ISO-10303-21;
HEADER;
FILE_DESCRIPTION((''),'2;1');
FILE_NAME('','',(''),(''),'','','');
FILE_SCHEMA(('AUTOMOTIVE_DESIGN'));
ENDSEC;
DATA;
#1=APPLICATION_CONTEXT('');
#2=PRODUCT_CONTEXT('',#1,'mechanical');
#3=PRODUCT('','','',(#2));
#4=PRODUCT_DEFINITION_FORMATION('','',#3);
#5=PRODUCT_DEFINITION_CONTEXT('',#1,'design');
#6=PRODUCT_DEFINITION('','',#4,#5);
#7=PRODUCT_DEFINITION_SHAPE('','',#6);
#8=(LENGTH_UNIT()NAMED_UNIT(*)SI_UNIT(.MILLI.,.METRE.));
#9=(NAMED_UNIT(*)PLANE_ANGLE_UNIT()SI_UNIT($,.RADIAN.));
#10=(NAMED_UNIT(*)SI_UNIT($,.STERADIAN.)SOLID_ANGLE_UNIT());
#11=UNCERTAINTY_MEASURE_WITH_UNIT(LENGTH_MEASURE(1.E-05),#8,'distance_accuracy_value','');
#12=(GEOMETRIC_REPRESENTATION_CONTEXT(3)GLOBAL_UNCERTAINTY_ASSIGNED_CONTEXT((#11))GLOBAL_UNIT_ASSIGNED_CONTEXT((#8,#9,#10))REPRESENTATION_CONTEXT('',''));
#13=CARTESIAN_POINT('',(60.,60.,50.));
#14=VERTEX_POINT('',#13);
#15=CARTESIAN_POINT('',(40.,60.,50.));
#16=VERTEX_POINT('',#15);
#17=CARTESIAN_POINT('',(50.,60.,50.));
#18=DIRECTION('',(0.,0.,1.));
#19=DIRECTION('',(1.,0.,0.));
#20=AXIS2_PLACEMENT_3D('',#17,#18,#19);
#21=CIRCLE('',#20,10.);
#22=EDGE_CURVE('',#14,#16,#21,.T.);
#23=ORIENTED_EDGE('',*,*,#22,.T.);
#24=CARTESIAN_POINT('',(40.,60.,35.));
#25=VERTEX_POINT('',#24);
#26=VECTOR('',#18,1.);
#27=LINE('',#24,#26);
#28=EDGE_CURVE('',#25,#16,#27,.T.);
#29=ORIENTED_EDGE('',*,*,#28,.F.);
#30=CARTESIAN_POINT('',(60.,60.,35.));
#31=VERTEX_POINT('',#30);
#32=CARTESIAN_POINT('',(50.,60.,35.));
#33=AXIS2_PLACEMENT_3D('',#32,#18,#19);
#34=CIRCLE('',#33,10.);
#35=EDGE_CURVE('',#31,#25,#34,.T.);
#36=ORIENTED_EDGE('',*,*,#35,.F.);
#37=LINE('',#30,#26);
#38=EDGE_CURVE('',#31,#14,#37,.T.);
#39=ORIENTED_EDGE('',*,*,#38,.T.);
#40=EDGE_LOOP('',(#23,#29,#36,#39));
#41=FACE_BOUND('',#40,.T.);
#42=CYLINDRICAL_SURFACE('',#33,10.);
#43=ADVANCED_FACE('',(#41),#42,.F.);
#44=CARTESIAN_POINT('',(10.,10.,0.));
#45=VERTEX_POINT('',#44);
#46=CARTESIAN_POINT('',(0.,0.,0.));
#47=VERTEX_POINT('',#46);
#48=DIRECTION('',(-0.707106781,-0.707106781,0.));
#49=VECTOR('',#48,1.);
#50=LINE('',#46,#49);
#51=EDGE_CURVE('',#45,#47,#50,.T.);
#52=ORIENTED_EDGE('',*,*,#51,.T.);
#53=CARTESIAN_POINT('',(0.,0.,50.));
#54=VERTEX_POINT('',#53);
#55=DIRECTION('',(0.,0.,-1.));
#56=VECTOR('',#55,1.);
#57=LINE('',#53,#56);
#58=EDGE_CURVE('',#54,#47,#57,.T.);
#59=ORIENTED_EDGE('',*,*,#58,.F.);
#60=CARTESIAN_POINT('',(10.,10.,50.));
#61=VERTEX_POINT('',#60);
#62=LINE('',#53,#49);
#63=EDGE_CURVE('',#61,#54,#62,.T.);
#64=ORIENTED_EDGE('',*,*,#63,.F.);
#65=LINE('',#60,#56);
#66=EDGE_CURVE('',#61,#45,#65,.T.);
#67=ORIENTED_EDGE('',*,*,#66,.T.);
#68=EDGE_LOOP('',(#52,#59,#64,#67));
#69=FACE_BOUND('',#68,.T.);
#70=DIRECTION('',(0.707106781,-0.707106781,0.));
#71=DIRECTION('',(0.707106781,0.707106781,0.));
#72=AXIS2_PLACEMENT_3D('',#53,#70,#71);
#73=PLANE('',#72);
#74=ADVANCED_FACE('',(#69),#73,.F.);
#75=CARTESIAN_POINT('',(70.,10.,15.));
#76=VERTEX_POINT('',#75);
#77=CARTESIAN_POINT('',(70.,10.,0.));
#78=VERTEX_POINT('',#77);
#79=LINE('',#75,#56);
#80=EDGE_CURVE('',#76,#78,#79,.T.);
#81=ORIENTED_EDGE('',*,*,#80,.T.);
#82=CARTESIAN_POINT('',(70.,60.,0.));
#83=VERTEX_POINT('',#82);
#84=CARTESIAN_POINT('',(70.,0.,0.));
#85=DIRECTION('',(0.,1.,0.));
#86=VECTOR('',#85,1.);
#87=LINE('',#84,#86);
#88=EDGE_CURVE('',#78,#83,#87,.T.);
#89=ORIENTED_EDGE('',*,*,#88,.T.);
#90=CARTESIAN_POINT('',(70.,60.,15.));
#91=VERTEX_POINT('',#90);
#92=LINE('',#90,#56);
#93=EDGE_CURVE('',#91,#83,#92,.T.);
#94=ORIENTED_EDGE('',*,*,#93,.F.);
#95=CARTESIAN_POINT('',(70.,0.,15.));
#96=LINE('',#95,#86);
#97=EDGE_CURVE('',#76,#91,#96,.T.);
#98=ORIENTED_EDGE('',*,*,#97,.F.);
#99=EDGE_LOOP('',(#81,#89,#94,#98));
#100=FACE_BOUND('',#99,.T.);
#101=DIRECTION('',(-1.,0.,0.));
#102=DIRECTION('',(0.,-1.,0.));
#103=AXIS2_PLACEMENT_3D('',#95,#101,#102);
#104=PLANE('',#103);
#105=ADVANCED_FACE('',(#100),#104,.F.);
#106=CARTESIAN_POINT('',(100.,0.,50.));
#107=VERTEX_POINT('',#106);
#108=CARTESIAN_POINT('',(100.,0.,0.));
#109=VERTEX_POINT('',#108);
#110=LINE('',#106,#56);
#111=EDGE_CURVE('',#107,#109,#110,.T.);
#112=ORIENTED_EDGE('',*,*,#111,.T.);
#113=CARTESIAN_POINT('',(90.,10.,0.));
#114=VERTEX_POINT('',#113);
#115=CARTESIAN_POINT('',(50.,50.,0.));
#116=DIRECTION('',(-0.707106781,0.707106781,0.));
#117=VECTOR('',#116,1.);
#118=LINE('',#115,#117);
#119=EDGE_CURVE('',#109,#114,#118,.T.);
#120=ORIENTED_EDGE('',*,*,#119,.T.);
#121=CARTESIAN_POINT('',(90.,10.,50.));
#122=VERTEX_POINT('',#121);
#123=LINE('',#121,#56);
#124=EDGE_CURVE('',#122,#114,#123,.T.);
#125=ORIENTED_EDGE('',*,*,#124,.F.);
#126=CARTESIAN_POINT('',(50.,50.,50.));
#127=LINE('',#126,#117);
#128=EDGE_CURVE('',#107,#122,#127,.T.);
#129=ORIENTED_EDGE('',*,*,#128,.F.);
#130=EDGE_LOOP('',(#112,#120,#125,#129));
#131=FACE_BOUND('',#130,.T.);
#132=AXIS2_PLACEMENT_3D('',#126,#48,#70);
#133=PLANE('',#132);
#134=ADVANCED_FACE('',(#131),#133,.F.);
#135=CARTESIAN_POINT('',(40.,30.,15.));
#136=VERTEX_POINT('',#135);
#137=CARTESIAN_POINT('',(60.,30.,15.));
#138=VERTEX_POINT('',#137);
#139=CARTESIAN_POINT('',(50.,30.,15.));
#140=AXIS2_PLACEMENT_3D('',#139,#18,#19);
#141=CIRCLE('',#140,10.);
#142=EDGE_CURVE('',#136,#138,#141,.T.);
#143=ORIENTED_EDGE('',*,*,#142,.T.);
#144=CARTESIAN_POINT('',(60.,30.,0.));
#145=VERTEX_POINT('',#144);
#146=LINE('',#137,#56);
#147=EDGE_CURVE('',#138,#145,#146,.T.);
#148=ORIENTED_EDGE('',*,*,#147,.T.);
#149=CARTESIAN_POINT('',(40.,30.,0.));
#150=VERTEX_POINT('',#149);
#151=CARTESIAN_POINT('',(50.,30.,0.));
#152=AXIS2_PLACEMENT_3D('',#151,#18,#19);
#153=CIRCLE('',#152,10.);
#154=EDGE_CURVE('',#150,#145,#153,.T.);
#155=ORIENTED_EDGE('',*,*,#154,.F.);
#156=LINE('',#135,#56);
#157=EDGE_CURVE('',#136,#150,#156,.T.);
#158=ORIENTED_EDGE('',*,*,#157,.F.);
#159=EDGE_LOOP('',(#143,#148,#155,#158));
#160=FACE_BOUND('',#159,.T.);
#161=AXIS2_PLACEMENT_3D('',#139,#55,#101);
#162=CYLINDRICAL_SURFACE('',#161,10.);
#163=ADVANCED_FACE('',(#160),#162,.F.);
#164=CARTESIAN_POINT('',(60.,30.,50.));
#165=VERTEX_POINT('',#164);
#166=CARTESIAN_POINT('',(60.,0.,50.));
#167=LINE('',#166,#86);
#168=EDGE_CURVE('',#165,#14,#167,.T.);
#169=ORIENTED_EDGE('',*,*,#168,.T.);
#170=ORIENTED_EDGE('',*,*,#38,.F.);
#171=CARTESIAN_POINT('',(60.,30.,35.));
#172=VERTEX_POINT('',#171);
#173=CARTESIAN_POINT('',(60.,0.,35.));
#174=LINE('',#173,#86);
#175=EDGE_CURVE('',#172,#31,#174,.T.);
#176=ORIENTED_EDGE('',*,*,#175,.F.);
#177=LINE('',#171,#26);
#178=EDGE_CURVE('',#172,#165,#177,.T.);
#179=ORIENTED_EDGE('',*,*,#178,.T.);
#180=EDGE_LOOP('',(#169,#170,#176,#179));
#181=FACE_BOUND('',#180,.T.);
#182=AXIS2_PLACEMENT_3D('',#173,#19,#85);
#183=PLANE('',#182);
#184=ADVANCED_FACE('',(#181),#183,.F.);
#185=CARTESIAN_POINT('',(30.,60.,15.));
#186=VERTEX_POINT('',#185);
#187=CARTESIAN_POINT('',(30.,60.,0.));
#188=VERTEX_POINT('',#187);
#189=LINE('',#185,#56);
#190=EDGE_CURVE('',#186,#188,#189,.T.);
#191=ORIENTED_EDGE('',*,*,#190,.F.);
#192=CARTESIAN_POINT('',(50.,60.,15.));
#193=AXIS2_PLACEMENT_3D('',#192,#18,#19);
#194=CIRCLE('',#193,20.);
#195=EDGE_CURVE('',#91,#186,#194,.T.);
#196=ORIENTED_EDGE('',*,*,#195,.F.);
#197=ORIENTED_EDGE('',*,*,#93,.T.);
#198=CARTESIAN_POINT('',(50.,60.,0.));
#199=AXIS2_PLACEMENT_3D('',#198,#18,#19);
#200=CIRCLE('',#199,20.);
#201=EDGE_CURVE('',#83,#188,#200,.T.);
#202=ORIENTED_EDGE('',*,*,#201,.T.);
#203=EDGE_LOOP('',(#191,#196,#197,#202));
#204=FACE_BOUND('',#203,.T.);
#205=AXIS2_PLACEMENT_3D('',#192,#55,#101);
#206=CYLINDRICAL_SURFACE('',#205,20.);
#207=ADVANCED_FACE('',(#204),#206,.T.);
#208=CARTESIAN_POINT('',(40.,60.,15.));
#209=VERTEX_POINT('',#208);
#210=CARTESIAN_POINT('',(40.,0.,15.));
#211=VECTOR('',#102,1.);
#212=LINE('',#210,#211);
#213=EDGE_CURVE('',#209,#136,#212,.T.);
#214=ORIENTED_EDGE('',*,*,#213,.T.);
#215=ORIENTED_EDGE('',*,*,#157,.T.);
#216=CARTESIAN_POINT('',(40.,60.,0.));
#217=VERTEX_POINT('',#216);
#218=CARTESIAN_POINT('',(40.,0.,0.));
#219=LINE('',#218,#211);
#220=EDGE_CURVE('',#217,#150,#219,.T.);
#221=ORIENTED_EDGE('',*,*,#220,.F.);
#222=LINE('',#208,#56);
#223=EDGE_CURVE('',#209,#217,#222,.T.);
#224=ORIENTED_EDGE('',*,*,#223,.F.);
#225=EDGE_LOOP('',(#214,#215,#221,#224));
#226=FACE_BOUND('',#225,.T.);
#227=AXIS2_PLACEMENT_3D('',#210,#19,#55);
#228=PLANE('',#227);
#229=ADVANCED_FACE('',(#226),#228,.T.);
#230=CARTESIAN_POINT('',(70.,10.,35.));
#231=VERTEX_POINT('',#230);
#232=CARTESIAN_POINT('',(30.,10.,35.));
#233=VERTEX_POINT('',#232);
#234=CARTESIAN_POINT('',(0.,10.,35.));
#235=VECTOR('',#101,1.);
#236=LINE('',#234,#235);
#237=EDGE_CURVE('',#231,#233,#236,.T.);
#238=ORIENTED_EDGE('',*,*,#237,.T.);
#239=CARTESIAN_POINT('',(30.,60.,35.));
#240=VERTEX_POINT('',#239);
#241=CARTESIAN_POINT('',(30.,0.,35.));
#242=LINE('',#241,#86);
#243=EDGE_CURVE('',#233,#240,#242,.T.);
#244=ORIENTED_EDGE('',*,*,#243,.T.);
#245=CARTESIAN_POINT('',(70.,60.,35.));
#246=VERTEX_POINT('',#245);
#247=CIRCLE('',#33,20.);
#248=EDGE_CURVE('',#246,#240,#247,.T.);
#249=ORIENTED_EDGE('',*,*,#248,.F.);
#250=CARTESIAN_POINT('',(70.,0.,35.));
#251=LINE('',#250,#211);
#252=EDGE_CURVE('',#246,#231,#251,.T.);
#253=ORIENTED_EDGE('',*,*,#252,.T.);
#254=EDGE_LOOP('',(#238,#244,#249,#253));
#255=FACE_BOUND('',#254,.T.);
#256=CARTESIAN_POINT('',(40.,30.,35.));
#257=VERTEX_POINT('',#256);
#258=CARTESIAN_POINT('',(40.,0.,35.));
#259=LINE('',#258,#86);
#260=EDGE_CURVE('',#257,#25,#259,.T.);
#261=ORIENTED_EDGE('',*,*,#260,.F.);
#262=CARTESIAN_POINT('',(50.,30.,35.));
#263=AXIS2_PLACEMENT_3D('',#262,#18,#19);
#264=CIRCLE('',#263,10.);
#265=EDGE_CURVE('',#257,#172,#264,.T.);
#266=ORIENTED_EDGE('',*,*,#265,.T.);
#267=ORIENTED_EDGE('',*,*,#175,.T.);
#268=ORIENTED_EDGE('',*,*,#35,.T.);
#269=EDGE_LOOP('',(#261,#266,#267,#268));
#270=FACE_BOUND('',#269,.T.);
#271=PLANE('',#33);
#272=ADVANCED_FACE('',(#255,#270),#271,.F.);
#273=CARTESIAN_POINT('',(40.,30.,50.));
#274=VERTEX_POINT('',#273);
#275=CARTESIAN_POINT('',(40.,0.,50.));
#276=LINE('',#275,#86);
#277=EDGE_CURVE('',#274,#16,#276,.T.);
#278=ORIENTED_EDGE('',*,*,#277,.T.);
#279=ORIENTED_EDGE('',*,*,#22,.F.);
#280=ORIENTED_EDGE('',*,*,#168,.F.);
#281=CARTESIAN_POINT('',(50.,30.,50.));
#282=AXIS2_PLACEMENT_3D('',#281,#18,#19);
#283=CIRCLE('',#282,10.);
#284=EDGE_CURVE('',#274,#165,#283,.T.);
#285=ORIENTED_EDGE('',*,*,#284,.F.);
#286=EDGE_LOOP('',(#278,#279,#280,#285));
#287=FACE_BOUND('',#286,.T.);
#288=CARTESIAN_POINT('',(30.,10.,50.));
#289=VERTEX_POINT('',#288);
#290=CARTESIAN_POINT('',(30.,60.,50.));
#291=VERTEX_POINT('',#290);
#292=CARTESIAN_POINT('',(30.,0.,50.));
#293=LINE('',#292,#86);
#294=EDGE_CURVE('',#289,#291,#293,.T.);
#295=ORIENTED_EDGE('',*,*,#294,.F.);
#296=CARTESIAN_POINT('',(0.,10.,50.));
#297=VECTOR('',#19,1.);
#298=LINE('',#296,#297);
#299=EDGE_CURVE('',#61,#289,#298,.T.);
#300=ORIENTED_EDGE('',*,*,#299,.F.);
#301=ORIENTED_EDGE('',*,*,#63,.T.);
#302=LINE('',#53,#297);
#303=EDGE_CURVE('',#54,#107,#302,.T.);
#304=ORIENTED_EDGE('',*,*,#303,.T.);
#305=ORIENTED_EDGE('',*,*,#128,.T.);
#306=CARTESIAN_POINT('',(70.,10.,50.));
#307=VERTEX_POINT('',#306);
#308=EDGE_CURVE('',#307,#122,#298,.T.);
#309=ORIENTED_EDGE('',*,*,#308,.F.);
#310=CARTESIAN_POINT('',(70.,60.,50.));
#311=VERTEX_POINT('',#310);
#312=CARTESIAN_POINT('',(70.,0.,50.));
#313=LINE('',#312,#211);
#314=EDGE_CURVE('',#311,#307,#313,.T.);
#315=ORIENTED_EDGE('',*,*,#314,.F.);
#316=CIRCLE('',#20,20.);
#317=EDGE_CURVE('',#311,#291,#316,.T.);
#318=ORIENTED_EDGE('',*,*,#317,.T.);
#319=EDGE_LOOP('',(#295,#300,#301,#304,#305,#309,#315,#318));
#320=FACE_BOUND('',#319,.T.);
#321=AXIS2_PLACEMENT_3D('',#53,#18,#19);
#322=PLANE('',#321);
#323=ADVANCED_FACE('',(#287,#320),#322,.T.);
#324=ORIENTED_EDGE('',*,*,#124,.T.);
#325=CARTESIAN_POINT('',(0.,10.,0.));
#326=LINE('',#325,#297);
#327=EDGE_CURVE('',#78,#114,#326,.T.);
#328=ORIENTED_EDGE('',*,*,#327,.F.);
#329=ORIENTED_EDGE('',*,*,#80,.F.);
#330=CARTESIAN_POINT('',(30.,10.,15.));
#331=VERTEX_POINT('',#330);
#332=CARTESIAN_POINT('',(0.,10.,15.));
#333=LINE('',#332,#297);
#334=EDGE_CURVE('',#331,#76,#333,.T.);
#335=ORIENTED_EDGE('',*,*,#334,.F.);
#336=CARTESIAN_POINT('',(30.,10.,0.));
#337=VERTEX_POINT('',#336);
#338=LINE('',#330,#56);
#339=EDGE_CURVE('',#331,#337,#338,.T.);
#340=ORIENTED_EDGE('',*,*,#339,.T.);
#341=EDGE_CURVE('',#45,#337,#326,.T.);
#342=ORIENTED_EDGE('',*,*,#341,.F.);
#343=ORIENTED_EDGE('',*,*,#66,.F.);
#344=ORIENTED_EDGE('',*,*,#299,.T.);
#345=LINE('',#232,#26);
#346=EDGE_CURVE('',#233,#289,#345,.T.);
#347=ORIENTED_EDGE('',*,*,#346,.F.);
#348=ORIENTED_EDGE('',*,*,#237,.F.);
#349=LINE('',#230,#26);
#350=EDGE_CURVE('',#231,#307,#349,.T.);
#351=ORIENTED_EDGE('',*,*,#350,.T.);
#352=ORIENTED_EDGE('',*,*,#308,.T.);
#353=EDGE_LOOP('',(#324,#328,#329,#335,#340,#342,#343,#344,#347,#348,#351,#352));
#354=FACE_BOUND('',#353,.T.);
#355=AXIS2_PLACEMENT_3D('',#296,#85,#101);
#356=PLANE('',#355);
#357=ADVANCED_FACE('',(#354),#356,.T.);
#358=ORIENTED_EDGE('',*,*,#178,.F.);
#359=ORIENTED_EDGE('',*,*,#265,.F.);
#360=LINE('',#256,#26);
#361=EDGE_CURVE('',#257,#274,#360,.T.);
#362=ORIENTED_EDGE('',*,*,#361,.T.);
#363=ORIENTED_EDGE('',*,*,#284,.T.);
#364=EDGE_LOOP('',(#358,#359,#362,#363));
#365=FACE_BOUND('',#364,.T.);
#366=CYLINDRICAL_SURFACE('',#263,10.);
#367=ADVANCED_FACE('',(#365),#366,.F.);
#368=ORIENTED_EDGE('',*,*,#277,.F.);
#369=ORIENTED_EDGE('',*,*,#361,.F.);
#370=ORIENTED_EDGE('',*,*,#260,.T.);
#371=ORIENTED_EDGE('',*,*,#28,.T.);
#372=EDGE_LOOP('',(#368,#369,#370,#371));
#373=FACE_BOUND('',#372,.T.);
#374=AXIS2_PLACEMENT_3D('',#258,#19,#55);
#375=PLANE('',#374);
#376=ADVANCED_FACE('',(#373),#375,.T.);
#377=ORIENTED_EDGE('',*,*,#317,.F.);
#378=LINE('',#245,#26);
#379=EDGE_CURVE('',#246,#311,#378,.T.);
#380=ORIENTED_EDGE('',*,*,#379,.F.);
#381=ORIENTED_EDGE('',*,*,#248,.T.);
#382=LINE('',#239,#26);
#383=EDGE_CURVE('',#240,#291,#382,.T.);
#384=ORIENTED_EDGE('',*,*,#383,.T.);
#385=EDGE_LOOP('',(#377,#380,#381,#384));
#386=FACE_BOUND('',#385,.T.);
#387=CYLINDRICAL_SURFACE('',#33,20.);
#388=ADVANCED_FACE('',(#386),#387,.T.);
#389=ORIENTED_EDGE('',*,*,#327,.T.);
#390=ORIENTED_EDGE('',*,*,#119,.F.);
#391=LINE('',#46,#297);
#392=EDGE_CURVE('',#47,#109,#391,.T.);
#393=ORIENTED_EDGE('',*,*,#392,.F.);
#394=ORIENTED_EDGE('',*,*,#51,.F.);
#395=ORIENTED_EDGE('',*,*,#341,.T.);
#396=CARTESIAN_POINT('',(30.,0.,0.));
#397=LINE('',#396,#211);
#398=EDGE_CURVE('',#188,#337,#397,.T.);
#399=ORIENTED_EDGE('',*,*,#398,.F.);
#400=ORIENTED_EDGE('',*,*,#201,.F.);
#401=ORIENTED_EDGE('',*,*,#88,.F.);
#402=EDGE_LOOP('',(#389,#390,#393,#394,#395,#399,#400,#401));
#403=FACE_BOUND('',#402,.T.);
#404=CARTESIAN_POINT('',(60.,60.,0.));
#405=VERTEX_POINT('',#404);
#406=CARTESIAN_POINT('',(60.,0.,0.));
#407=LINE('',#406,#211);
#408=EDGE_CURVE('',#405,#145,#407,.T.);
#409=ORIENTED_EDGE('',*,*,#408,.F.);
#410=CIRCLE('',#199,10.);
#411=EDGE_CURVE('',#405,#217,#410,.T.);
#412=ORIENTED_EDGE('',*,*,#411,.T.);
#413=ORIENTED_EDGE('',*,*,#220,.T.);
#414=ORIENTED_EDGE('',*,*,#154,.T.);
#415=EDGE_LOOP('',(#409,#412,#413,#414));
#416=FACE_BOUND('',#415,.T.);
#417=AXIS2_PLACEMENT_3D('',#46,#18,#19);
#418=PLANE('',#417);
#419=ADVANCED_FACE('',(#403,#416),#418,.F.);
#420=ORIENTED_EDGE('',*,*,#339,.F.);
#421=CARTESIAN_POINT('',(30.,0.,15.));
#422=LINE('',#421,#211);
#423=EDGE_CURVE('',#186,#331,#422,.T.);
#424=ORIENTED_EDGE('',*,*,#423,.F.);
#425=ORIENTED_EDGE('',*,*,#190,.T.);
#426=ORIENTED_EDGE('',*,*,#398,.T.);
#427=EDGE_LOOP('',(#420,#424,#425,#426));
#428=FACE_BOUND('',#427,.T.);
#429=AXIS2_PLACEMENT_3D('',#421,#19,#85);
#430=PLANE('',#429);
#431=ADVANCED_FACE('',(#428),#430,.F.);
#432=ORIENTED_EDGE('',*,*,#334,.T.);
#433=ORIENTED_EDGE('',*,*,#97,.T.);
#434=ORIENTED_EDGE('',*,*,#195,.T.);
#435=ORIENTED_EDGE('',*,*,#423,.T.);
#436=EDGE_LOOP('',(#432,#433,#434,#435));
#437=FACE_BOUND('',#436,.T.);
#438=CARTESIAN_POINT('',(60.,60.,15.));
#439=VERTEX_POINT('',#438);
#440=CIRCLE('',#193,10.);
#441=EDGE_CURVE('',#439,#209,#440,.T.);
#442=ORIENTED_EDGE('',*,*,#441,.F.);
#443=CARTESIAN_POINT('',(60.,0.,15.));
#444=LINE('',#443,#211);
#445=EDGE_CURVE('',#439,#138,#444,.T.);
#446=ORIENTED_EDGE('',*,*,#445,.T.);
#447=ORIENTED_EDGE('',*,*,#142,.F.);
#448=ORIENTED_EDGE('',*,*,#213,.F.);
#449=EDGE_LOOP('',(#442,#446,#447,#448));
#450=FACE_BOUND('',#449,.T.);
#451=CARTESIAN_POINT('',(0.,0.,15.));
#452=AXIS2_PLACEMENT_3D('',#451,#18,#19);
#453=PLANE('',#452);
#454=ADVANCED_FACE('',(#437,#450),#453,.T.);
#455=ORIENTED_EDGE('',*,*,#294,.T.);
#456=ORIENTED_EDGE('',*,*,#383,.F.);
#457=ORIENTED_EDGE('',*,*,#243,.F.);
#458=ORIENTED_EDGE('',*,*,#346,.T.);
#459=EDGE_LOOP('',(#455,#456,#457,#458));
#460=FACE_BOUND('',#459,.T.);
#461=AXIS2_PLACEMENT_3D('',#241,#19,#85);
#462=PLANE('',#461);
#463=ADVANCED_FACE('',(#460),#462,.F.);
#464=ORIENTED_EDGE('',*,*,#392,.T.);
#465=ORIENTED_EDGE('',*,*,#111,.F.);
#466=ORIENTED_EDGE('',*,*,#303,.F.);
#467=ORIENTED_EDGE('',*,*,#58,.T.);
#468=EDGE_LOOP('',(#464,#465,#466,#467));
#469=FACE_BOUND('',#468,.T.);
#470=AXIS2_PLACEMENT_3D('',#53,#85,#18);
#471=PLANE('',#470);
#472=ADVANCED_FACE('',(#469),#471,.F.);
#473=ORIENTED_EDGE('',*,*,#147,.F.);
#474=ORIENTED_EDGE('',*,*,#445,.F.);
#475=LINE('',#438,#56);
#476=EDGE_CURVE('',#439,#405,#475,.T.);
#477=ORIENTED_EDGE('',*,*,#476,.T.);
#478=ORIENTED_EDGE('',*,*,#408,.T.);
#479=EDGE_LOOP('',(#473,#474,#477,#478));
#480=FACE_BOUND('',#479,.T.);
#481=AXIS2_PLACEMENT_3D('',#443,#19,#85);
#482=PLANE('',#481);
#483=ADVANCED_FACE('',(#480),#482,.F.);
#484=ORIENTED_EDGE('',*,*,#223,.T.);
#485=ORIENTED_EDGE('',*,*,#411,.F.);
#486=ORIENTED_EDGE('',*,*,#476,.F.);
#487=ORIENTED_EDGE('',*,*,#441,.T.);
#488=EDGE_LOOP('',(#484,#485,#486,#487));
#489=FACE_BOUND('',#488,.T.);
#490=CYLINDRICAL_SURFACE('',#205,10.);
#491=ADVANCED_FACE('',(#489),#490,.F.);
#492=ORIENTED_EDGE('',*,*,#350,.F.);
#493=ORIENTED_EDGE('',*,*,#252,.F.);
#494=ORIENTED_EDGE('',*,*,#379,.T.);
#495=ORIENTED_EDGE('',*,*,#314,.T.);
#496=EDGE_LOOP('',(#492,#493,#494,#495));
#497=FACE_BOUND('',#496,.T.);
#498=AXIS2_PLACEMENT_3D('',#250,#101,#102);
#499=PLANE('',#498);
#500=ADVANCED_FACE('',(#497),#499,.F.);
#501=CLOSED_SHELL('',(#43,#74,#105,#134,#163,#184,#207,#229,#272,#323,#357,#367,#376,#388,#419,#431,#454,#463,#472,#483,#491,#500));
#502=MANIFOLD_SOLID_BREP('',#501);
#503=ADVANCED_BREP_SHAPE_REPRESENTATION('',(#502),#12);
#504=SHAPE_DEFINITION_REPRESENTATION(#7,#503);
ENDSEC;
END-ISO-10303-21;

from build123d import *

# Parameters (mm, degrees)
BOSS_EXTRUDE1_DEPTH = 50
BOSS_EXTRUDE2_DEPTH = 15
BOSS_EXTRUDE3_START = 35
BOSS_EXTRUDE3_DEPTH = 15


with BuildPart() as part:
    # Sketch1 → Boss-Extrude1 (new body)
    with BuildSketch(Plane.XY):
        Polygon((30, 10), (70, 10), (90, 10), (100, 0), (0, 0), (10, 10), align=None)
    extrude(amount=BOSS_EXTRUDE1_DEPTH)

    # Sketch1<3> → Boss-Extrude2 (add)
    with BuildSketch(Plane.XY):
        with BuildLine():
            Line((70, 10), (70, 60))
            ThreePointArc((70, 60), (50, 80), (30, 60))
            Line((30, 60), (30, 10))
            Line((30, 10), (70, 10))
        make_face()
        with BuildLine():
            ThreePointArc((40, 30), (50, 20), (60, 30))
            Line((60, 30), (60, 60))
            ThreePointArc((60, 60), (50, 70), (40, 60))
            Line((40, 60), (40, 30))
        make_face(mode=Mode.SUBTRACT)
    extrude(amount=BOSS_EXTRUDE2_DEPTH)

    # Sketch1<4> → Boss-Extrude3 (add)
    with BuildSketch(Plane.XY.offset(BOSS_EXTRUDE3_START)):
        with BuildLine():
            Line((70, 10), (70, 60))
            ThreePointArc((70, 60), (50, 80), (30, 60))
            Line((30, 60), (30, 10))
            Line((30, 10), (70, 10))
        make_face()
        with BuildLine():
            ThreePointArc((40, 30), (50, 20), (60, 30))
            Line((60, 30), (60, 60))
            ThreePointArc((60, 60), (50, 70), (40, 60))
            Line((40, 60), (40, 30))
        make_face(mode=Mode.SUBTRACT)
    extrude(amount=BOSS_EXTRUDE3_DEPTH)


solid = part.part
